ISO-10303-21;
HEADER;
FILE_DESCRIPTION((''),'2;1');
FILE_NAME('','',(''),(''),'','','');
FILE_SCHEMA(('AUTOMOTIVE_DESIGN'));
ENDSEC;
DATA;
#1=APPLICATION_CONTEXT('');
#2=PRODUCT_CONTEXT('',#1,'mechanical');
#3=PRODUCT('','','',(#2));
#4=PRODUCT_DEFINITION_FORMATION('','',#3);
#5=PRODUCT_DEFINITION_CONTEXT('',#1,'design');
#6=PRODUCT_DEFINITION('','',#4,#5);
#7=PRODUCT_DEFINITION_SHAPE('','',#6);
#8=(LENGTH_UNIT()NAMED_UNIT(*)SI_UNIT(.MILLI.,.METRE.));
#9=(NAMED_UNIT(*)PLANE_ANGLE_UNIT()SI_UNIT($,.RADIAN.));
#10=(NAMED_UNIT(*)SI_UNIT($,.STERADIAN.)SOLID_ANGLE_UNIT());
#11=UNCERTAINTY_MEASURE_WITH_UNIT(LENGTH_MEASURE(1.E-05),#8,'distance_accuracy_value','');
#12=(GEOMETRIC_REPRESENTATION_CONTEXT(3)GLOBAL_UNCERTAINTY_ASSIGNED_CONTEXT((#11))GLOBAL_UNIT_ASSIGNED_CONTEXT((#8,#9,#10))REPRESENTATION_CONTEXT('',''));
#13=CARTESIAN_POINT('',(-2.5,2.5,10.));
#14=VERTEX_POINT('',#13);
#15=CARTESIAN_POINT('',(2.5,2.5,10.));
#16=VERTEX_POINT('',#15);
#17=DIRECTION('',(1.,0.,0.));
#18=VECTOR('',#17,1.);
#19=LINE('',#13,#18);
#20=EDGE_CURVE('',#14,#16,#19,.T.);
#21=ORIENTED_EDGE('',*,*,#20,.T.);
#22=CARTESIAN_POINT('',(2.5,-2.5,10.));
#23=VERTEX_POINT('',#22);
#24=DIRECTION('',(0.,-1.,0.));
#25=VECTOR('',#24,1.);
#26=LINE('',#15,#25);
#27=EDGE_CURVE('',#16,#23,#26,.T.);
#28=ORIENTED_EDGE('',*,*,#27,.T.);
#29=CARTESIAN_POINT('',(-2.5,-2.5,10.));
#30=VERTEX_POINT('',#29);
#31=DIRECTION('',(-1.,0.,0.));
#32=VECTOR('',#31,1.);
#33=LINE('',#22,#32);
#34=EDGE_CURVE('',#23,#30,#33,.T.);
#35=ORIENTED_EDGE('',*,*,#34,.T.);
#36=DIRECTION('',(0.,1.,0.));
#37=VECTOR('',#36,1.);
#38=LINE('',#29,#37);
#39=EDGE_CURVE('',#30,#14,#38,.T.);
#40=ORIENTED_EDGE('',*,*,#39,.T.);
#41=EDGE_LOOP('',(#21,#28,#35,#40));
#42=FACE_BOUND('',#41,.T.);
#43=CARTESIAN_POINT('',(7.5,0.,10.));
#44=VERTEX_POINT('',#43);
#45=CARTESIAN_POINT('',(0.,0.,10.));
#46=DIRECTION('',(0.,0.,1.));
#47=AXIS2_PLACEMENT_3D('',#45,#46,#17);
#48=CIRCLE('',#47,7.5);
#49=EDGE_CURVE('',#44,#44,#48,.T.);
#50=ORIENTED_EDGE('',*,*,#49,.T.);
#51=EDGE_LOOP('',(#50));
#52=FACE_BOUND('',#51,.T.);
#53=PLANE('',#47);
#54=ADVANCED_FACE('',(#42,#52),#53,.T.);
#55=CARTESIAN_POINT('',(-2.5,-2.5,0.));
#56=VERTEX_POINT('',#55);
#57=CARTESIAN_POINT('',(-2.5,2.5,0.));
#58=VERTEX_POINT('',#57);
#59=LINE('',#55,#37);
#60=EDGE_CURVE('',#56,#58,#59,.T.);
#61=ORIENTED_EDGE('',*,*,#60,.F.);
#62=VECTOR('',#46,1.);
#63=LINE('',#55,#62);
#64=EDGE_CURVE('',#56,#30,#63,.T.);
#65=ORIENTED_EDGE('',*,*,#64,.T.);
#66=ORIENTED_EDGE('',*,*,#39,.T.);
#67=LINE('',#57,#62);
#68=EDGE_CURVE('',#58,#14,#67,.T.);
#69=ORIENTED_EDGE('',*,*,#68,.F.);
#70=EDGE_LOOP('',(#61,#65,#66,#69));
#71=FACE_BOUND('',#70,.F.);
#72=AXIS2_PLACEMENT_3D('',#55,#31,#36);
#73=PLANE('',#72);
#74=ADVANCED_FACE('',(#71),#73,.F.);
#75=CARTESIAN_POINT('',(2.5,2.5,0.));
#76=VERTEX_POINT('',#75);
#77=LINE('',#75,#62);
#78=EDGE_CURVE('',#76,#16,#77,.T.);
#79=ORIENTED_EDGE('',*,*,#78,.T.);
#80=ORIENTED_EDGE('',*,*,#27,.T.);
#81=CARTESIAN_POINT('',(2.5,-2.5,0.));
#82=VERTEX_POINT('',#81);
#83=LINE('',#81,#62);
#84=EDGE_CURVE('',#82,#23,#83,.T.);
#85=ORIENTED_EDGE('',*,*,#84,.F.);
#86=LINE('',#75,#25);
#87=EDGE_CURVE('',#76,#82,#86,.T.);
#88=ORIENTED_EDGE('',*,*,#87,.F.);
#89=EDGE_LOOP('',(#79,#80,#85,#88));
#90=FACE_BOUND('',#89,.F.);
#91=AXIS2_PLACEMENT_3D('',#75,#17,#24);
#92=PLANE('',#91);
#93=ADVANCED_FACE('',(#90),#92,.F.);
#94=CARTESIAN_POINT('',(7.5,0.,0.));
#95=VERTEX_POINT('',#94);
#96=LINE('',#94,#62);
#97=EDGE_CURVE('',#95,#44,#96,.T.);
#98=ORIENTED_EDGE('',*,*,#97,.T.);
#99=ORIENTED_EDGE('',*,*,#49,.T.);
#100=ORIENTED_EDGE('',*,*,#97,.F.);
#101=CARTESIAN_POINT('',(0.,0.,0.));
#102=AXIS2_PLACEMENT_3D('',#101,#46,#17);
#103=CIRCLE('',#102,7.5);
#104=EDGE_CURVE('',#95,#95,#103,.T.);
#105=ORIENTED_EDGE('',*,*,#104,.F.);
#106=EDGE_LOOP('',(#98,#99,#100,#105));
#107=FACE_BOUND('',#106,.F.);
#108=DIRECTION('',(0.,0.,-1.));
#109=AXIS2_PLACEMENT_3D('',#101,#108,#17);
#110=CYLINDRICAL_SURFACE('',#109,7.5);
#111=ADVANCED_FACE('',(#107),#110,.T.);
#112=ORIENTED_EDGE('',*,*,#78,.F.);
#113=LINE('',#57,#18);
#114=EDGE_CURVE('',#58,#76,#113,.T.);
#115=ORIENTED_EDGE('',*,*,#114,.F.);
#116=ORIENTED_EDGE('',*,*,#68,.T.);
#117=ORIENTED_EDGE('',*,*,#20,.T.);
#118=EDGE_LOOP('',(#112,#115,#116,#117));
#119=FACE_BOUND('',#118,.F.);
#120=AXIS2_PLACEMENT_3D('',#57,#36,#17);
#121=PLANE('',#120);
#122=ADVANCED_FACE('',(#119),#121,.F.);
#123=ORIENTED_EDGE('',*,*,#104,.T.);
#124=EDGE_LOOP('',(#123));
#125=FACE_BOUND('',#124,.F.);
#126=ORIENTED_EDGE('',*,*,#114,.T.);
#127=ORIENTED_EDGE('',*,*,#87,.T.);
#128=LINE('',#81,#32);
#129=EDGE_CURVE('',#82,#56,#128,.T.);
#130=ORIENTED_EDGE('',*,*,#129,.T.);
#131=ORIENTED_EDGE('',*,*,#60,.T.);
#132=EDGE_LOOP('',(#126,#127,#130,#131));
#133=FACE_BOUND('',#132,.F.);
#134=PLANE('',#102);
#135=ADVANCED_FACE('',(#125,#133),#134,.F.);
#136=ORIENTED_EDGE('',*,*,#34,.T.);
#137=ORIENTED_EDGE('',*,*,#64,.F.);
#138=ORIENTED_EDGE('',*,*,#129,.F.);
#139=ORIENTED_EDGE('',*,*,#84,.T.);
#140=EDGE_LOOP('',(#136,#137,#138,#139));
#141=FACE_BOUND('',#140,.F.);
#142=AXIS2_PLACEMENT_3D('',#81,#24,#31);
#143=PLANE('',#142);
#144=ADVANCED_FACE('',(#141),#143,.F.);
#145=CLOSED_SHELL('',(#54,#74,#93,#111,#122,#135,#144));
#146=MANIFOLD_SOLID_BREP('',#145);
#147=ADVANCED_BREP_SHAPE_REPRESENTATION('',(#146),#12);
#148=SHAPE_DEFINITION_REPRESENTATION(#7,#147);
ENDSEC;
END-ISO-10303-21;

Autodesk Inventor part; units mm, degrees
ref_plane "YZ Plane" through (0, 0, 0) normal (1, 0, 0) x (0, 1, 0)
ref_plane "XZ Plane" through (0, 0, 0) normal (0, 1, 0) x (-1, 0, 0)
ref_plane "XY Plane" through (0, 0, 0) normal (0, 0, 1) x (1, 0, 0)
sketch "Sketch1" plane through (0, 0, 0) normal (0, 0, 1) x (1, 0, 0)
  circle A0 centre (0, 0) radius 7.5
  line L0 (2.5, -2.5) -> (-2.5, -2.5)
  line L1 (-2.5, -2.5) -> (-2.5, 2.5)
  line L2 (-2.5, 2.5) -> (2.5, 2.5)
  line L3 (2.5, 2.5) -> (2.5, -2.5)
  line L4 (2.5, -2.5) -> (-2.5, 2.5) construction
  line L5 (-2.5, -2.5) -> (2.5, 2.5) construction
  dimension "d0" = 15
  dimension "d1" = 5
  dimension "d2" = 5
extrude "Extrusion1" add sketch "Sketch1" along normal blind 10
properties part number "ArmCylinder"
